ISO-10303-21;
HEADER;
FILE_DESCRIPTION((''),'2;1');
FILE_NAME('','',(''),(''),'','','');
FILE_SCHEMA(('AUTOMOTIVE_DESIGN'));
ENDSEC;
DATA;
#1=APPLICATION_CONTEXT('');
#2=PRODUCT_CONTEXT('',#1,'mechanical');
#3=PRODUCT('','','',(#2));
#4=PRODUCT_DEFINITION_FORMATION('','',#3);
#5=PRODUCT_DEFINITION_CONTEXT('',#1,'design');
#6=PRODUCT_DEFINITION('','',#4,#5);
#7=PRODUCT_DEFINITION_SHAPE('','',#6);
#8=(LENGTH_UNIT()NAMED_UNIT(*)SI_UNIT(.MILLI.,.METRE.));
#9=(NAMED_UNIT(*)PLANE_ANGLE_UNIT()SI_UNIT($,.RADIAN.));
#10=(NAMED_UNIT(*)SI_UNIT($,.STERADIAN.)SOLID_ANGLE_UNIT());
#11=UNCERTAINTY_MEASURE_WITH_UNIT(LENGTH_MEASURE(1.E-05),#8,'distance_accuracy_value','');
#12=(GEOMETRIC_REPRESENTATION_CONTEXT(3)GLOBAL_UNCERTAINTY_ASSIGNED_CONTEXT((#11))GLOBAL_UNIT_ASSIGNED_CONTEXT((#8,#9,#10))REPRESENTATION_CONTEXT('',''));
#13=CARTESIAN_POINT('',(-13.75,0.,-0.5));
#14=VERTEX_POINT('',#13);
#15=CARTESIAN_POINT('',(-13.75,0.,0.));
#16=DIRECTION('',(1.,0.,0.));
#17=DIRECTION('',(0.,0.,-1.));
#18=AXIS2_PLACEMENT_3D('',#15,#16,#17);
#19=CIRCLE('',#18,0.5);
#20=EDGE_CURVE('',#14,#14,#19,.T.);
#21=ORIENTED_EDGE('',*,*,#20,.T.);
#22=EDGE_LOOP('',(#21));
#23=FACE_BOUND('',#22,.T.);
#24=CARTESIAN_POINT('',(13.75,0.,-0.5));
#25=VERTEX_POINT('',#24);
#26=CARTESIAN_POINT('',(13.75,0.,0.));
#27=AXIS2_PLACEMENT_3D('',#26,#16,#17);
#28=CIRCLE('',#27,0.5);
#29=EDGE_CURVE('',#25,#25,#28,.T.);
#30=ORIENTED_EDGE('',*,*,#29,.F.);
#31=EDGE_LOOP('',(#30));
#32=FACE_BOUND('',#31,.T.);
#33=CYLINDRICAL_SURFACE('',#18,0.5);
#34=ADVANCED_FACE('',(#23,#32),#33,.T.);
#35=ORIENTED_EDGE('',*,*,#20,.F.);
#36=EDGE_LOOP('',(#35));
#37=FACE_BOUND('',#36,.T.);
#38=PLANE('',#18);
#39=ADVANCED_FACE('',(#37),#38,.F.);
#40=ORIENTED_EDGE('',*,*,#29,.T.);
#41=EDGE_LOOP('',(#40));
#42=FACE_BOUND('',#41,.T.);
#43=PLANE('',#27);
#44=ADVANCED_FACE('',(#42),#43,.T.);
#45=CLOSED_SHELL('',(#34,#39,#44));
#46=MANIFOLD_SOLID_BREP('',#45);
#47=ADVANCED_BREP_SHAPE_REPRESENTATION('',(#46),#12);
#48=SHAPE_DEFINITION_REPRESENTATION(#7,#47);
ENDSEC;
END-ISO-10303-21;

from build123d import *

# Parameters (mm, degrees)
BOSS_EXTRUDE1_DEPTH      = 13.75
BOSS_EXTRUDE1_DEPTH_BACK = 13.75
SKETCH1_R                = 0.5


with BuildPart() as part:
    # Sketch1 → Boss-Extrude1 (new, two sides: drawn at the far end of the back side and taken through both)
    with BuildSketch(Plane(origin=(0, 0, 0), x_dir=(0, 0, -1), z_dir=(1, 0, 0)).offset(-BOSS_EXTRUDE1_DEPTH_BACK)):
        Circle(SKETCH1_R)
    extrude(amount=BOSS_EXTRUDE1_DEPTH + BOSS_EXTRUDE1_DEPTH_BACK)


solid = part.part
